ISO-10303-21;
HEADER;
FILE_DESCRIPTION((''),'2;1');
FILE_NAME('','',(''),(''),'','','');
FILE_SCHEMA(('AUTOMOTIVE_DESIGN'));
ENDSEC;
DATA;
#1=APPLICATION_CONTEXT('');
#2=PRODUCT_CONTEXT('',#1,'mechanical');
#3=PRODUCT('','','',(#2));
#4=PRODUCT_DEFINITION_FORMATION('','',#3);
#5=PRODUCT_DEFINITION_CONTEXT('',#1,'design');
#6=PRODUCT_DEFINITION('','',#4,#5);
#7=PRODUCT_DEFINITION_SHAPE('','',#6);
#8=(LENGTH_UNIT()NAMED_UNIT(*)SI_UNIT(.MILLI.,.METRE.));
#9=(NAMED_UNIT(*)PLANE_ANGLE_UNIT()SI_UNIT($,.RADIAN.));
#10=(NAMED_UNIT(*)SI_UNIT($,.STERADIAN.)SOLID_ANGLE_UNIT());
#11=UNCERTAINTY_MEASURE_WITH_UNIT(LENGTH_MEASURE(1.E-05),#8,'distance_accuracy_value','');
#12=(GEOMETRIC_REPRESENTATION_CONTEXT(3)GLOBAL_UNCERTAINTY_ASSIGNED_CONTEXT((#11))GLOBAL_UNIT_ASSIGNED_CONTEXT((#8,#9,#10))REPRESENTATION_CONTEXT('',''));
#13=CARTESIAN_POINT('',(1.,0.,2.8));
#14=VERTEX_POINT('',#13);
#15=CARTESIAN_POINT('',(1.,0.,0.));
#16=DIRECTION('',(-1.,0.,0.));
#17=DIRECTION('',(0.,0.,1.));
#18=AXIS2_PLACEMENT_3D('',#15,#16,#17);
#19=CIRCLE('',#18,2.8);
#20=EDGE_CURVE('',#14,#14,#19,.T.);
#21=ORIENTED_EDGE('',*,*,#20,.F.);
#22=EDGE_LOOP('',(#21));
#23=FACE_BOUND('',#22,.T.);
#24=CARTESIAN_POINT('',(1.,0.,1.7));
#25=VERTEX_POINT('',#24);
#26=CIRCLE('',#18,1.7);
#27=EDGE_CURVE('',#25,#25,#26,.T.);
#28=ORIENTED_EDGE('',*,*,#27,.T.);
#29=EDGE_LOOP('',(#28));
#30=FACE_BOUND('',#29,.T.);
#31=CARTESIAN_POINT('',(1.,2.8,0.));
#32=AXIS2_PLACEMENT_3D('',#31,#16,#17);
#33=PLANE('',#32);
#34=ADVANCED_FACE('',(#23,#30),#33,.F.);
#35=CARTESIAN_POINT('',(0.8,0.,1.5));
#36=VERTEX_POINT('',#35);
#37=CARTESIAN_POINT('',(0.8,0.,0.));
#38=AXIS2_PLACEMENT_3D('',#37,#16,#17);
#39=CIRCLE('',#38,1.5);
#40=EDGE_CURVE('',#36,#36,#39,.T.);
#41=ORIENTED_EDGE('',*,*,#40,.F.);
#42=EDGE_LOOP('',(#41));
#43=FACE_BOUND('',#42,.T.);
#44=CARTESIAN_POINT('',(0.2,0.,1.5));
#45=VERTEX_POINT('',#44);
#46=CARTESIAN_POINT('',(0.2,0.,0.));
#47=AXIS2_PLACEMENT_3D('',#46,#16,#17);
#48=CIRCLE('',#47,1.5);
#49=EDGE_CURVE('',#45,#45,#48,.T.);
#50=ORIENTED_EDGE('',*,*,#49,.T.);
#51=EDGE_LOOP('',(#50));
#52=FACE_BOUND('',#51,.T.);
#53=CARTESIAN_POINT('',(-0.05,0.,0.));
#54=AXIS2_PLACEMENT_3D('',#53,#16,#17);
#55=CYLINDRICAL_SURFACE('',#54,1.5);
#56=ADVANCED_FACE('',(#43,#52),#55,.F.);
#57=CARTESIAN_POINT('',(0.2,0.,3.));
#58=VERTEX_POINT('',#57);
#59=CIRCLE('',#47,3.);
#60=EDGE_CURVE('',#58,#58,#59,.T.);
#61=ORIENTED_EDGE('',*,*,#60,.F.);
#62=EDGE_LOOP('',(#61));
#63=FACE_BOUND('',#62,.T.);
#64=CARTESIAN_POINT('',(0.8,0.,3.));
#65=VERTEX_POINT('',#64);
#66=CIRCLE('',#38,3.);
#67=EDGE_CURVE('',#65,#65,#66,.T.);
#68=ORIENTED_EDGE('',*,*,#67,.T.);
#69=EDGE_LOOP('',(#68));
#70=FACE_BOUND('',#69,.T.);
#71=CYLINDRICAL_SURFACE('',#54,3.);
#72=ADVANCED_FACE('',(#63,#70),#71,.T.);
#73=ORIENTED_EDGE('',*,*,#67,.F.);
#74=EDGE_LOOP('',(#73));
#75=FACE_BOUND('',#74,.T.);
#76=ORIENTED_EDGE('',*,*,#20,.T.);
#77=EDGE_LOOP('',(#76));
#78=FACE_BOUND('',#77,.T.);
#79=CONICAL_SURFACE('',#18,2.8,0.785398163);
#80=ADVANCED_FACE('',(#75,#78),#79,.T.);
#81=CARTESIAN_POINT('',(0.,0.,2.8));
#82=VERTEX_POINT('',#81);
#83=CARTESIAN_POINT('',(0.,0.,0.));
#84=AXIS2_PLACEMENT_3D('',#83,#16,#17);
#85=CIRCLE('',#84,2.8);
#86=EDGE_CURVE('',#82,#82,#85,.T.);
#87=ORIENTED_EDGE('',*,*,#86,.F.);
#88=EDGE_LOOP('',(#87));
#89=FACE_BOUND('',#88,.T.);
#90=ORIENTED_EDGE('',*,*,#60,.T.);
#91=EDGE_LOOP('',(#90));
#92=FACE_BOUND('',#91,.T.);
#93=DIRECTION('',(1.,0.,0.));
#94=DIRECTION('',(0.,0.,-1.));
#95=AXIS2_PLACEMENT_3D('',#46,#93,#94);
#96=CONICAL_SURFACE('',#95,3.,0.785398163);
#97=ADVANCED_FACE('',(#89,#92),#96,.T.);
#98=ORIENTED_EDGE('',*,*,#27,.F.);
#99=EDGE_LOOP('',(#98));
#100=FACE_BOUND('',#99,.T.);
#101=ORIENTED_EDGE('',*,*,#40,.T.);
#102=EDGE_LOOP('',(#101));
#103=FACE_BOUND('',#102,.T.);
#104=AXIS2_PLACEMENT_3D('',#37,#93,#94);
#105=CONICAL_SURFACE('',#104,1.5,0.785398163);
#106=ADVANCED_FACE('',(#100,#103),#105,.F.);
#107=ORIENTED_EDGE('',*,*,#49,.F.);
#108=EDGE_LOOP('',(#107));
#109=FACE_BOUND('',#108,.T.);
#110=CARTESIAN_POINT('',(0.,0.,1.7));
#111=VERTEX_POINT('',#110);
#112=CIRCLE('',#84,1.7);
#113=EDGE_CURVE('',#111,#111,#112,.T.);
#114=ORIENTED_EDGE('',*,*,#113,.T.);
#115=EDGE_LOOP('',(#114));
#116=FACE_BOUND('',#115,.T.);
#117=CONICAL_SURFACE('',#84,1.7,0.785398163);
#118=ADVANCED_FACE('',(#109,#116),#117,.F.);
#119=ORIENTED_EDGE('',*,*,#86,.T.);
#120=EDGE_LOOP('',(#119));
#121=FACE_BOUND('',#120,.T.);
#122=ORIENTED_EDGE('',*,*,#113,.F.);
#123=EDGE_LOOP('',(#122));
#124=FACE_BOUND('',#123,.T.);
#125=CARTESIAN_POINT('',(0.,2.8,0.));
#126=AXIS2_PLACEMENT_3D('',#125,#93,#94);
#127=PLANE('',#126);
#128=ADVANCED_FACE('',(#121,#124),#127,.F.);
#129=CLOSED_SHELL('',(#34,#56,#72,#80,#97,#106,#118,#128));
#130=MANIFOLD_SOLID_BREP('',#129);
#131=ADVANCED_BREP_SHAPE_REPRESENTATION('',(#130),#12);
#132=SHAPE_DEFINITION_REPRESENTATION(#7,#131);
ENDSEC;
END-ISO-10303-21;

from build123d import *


with BuildPart() as part:
    # Sketch1 → Revolve1 (revolve)
    with BuildSketch(Plane.XY):
        Polygon((0.2, 3), (0.8, 3), (1, 2.8), (1, 1.7), (0.8, 1.5), (0.2, 1.5), (0, 1.7), (0, 2.8), align=None)
    revolve(axis=Axis((-0.05, 0, 0), (1, 0, 0)))


solid = part.part
